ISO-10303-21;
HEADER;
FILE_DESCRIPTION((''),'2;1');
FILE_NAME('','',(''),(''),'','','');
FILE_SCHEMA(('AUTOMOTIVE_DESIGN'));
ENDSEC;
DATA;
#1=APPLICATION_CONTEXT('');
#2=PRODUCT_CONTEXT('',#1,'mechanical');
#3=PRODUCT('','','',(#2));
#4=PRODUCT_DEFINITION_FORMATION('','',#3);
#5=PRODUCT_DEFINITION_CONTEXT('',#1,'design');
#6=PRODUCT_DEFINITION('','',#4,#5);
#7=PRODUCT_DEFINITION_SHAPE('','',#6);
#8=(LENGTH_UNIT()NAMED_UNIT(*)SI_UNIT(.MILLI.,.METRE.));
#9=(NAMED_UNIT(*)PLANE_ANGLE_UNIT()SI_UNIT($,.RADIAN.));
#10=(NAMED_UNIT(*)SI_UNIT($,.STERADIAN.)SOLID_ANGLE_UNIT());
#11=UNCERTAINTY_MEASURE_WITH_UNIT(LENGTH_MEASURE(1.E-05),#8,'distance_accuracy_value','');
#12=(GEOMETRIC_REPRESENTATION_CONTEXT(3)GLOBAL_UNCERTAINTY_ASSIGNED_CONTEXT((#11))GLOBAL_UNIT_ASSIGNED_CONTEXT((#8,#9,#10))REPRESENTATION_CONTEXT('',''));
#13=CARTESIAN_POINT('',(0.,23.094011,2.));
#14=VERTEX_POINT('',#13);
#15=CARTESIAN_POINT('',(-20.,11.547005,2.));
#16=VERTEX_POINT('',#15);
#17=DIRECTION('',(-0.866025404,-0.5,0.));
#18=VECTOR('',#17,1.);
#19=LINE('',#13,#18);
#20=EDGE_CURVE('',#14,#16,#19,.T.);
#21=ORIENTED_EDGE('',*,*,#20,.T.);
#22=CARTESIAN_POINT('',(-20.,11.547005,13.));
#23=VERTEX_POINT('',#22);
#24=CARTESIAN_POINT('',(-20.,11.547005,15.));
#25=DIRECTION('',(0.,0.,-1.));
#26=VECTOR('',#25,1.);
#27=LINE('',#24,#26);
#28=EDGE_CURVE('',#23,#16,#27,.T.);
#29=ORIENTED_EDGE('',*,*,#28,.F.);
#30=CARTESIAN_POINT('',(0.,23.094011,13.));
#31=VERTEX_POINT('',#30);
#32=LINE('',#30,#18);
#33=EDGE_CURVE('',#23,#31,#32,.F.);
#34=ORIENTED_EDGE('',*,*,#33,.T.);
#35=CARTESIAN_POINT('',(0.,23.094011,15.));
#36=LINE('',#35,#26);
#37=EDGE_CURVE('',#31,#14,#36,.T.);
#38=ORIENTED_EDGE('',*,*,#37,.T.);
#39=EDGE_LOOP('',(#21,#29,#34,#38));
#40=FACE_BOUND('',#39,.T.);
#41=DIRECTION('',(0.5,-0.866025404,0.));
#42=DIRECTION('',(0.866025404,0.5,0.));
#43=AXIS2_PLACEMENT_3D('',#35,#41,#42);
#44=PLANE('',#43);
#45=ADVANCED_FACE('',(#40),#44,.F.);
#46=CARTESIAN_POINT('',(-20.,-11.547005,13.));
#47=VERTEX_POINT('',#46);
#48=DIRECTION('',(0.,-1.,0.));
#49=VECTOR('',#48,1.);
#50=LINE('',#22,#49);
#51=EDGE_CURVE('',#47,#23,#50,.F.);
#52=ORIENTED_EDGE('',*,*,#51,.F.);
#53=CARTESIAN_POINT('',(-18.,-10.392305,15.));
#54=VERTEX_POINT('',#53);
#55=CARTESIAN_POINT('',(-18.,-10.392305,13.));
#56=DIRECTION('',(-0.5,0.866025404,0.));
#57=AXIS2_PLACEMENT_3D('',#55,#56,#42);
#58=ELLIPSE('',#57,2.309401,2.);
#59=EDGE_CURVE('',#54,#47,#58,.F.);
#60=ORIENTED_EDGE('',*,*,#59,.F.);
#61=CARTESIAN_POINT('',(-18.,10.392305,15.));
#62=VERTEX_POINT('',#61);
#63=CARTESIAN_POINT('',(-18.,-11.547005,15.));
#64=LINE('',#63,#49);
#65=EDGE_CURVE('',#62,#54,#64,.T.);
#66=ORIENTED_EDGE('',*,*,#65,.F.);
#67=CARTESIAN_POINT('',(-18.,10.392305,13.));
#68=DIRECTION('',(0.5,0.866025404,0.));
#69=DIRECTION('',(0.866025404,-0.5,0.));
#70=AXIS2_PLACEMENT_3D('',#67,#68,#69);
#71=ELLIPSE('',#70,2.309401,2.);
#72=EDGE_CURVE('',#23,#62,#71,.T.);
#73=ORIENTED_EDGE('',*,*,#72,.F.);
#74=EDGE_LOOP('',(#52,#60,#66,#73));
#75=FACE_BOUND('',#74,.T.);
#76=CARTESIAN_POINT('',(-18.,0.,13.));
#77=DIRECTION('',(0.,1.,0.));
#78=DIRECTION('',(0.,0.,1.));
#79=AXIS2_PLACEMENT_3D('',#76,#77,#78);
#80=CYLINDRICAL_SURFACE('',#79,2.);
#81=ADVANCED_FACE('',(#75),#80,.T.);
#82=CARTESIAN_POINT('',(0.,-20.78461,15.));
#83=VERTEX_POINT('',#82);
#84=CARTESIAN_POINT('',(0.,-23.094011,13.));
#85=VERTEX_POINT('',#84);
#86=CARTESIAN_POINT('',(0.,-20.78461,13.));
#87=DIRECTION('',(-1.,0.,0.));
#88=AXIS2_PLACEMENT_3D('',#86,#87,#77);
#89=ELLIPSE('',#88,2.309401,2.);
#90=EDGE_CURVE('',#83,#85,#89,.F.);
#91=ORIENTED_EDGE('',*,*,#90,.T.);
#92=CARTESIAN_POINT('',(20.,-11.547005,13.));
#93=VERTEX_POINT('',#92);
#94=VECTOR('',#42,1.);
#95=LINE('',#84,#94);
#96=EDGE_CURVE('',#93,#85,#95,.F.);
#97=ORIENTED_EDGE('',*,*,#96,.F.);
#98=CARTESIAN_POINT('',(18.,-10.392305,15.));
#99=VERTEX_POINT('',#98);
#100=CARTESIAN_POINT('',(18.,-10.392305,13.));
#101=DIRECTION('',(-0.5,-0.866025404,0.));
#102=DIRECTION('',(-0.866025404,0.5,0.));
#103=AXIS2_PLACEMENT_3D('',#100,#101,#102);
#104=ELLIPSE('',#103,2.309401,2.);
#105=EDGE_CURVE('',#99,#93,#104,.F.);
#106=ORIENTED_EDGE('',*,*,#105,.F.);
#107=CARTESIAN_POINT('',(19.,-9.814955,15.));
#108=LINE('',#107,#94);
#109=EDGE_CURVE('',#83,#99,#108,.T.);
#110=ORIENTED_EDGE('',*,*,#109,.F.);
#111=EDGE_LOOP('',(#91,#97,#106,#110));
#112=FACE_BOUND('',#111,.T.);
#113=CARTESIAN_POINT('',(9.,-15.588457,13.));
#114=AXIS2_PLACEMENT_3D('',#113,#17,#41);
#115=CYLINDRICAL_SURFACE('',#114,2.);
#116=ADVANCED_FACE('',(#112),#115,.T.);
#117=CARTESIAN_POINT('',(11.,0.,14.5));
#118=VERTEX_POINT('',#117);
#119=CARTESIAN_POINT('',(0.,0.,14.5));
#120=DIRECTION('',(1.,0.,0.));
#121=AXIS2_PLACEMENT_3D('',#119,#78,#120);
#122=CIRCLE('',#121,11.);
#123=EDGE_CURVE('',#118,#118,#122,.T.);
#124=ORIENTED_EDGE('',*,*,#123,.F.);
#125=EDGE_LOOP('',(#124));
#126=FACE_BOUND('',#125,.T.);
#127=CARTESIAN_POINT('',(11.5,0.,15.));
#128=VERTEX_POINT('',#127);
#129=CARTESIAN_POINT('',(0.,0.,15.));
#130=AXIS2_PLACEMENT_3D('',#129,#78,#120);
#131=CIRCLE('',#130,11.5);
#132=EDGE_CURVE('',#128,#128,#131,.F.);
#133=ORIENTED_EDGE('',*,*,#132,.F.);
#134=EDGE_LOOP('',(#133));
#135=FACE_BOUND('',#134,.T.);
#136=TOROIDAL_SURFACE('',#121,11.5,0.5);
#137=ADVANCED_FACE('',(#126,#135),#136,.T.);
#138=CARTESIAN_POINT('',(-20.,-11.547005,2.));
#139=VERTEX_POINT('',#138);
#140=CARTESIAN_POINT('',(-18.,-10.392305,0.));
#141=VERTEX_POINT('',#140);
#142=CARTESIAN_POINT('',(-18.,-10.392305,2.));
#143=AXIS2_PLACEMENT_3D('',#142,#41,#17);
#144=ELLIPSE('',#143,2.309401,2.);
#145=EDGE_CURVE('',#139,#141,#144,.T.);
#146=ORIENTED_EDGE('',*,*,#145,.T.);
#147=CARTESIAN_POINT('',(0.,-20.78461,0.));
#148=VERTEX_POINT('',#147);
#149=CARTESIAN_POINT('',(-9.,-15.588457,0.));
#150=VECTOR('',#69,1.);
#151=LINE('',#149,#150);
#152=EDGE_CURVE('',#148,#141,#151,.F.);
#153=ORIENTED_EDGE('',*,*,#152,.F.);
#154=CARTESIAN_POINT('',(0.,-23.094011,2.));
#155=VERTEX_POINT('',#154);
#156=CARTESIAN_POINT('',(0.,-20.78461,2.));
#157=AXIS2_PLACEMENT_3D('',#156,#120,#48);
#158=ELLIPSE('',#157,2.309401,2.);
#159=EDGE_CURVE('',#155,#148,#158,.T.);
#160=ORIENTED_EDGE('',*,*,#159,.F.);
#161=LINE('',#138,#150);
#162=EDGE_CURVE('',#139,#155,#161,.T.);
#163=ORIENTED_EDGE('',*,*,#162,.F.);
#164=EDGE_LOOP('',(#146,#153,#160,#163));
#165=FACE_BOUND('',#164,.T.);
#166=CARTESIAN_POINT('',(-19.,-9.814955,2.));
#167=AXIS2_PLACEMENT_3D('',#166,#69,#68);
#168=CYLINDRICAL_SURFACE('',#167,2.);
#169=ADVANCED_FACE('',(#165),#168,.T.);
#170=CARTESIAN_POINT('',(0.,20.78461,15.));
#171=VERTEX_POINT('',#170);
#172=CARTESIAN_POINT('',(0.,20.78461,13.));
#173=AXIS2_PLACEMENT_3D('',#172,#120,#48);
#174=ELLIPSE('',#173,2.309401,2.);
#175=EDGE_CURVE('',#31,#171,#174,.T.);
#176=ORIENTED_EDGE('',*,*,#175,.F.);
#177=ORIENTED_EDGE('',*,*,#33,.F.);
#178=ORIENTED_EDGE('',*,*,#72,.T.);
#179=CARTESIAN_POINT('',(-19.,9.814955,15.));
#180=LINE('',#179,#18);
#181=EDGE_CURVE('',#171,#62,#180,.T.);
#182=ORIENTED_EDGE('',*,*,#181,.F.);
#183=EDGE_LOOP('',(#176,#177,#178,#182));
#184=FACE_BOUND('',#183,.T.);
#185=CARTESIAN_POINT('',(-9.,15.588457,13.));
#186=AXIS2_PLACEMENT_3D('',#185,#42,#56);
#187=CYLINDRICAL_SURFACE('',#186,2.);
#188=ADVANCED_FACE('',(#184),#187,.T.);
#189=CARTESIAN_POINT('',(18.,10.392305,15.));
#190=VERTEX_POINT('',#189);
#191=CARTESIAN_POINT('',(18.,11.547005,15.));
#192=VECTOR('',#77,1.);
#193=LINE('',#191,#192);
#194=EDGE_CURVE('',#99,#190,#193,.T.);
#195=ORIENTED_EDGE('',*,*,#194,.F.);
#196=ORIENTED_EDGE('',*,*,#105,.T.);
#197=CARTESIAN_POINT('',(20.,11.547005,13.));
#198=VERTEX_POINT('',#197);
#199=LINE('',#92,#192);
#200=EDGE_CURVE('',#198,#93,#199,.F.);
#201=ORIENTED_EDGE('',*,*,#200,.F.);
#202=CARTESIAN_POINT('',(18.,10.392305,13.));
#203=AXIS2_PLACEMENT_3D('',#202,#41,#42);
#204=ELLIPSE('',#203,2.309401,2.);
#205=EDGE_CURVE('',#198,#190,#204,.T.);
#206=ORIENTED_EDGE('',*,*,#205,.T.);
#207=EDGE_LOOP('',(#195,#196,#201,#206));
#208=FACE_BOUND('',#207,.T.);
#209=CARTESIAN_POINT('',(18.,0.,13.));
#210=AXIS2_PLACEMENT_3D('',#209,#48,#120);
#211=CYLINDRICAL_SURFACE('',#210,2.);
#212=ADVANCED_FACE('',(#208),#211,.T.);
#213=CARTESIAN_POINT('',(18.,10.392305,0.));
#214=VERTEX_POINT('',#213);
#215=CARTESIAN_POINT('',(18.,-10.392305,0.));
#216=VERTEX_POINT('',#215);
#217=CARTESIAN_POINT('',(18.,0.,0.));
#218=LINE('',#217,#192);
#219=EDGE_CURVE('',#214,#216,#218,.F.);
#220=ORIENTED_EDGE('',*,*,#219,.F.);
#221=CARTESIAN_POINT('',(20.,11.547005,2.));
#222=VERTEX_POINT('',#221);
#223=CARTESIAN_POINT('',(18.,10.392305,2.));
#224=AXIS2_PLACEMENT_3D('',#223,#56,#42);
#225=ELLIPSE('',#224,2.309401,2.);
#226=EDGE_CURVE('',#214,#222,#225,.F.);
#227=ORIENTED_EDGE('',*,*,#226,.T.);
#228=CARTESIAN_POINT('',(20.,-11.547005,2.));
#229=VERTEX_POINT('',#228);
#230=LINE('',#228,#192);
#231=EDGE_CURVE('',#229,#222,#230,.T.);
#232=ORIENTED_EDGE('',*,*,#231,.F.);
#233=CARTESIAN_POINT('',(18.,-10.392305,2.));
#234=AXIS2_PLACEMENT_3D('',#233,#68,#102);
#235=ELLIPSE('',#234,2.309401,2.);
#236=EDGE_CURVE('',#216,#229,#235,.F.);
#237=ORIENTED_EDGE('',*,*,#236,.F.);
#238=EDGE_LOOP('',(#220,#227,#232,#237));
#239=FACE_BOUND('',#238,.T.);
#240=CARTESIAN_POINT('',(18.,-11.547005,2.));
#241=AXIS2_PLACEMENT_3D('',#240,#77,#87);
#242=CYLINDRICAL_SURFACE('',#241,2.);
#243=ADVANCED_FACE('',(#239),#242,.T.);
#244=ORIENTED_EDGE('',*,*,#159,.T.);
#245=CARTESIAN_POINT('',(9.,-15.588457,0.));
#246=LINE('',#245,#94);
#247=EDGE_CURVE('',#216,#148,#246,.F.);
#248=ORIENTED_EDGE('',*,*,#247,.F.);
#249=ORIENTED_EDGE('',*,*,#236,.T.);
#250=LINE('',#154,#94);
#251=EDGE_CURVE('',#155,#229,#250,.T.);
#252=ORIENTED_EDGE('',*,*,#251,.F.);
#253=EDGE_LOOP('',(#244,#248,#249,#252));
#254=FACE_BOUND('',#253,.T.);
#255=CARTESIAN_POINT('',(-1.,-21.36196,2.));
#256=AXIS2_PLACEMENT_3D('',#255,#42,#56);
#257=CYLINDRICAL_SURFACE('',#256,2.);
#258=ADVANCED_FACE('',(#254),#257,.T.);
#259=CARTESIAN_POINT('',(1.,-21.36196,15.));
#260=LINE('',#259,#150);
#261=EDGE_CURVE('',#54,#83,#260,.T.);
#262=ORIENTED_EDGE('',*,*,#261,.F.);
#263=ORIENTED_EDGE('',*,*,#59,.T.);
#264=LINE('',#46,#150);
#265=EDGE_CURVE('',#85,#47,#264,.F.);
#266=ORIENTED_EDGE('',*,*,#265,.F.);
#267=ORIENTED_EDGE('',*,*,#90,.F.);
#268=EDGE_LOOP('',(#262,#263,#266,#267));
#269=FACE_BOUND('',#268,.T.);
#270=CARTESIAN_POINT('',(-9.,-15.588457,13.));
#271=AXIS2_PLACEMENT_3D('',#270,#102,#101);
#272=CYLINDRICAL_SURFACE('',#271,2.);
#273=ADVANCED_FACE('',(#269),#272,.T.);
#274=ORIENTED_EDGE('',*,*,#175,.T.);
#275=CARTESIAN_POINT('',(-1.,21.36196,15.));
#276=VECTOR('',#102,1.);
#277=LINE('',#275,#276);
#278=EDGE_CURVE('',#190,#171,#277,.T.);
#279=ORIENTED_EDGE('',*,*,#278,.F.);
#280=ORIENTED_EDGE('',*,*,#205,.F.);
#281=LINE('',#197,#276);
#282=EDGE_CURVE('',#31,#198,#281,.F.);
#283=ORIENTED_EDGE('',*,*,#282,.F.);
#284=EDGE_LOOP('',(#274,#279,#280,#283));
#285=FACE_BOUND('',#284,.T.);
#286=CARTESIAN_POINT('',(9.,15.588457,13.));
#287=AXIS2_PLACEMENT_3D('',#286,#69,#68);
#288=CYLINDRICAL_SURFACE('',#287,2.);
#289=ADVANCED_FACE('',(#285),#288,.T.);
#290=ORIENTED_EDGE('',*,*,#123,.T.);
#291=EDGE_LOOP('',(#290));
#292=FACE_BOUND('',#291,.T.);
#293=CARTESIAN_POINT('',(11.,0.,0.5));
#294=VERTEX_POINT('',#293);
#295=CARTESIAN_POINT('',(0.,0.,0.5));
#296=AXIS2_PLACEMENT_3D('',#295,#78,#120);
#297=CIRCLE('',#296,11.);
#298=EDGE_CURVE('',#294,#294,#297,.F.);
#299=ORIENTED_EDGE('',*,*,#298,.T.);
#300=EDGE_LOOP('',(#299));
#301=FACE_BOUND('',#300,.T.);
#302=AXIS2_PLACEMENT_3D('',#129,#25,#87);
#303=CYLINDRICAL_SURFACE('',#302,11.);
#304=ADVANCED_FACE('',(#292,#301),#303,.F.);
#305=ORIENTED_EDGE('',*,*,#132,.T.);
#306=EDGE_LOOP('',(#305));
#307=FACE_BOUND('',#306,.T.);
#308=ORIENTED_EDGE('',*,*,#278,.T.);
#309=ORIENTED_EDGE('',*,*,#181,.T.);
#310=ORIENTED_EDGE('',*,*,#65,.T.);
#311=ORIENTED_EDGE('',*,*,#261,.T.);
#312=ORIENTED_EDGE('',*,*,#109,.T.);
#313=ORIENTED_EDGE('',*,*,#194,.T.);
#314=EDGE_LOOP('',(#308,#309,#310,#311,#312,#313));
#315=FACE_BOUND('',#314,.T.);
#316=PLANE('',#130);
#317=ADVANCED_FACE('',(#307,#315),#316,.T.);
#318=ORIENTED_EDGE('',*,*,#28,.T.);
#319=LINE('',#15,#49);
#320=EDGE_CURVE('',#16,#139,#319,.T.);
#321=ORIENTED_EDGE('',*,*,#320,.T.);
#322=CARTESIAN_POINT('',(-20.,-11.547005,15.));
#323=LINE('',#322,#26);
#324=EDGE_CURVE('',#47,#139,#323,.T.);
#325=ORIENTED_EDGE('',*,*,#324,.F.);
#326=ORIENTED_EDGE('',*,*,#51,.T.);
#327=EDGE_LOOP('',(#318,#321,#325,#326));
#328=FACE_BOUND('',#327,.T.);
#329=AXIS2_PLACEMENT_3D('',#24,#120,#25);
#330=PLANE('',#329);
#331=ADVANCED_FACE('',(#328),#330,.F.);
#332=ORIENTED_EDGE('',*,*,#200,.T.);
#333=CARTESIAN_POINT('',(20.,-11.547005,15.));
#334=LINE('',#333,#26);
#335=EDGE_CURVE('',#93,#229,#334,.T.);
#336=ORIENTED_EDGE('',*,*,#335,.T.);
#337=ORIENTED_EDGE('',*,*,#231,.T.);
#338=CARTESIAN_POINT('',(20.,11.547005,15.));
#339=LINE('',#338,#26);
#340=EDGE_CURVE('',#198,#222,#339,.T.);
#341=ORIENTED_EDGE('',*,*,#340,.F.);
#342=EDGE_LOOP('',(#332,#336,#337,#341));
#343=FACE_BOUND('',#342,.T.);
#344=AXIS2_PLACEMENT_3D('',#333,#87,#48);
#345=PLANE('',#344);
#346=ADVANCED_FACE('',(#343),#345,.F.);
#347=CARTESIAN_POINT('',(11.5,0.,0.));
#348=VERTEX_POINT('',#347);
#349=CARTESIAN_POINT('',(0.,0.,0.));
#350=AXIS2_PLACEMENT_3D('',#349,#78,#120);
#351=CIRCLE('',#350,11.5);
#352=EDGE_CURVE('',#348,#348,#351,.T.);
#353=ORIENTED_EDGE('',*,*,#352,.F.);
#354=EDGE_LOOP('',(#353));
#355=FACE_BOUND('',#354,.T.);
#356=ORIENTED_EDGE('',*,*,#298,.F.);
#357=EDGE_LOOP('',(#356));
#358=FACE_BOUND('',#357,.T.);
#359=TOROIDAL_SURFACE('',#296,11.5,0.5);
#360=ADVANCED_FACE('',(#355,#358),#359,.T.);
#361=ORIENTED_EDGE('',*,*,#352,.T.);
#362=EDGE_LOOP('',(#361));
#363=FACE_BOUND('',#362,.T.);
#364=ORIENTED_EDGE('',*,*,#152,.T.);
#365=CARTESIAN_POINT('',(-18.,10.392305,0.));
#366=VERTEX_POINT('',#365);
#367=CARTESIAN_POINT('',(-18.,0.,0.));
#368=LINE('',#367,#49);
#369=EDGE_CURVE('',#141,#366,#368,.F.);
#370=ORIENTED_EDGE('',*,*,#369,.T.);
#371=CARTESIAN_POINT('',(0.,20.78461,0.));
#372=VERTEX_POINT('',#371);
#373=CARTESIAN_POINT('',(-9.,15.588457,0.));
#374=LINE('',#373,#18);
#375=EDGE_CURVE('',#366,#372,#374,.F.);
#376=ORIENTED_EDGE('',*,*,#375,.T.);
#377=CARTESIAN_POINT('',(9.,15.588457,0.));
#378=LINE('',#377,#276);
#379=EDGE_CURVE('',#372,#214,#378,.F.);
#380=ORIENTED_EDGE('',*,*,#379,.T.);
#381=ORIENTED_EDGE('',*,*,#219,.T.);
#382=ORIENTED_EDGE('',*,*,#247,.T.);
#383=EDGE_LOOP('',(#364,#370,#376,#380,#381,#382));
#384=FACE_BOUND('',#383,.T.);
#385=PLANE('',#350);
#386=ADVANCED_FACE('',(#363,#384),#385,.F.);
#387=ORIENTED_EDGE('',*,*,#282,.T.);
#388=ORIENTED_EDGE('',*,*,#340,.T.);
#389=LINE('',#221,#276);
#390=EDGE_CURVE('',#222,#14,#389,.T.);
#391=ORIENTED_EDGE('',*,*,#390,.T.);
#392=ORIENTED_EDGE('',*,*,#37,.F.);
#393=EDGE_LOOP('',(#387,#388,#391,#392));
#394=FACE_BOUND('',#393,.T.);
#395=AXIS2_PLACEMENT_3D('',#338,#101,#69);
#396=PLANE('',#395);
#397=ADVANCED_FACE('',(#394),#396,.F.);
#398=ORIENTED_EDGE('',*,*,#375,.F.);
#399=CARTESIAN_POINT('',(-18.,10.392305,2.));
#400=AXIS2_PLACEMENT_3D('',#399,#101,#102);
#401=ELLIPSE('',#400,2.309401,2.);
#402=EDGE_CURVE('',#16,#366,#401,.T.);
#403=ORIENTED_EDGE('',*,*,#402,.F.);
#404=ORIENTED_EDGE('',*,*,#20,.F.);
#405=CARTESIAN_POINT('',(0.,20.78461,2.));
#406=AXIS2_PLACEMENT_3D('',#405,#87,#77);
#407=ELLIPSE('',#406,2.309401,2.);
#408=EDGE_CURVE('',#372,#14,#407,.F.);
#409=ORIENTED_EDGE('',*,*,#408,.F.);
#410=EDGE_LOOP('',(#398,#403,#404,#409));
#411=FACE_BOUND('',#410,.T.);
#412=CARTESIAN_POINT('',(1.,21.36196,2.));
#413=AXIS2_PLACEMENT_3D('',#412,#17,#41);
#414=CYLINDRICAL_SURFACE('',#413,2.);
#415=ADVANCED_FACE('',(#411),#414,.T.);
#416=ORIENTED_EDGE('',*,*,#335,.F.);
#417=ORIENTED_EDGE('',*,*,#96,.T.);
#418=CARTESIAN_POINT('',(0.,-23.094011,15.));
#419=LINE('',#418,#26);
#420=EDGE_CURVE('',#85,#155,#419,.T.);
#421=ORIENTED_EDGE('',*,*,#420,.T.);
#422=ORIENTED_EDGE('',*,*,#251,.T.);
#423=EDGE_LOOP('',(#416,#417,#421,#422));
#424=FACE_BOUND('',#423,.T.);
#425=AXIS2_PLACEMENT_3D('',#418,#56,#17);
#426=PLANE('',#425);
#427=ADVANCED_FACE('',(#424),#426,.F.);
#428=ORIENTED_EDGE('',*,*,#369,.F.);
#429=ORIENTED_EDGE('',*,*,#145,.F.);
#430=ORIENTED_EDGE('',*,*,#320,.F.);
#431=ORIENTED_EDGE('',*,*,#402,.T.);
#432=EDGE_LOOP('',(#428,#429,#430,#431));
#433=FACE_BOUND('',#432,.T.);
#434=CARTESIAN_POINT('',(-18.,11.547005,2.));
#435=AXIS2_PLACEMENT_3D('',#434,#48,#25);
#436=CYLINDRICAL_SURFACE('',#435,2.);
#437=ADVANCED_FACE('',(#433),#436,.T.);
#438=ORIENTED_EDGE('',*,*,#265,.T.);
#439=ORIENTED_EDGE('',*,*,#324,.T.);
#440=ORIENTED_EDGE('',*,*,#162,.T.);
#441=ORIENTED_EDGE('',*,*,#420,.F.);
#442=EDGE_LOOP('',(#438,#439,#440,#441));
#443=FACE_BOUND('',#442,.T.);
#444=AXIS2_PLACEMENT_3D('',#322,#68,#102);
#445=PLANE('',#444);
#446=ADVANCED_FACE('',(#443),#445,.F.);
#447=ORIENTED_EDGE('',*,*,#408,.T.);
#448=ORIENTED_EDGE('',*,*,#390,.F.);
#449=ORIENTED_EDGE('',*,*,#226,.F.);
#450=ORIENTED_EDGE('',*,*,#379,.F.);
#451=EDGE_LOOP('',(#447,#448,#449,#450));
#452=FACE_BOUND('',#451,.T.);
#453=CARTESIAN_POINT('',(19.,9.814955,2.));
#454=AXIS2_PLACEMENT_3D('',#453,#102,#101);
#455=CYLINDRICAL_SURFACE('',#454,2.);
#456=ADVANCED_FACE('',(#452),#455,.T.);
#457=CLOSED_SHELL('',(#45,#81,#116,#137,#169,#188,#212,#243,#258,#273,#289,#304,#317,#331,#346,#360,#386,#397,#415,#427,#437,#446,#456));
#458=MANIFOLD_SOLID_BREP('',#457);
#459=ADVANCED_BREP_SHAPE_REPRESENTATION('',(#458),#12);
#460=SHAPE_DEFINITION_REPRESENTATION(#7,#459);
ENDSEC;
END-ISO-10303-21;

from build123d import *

# Parameters (mm, degrees)
SKETCH_1_R      = 11
EXTRUDE_1_DEPTH = 15
FILLET_1_R      = 2
FILLET_2_R      = 0.5


with BuildPart() as part:
    # 草图1 → 凸台-拉伸1 (new body)
    with BuildSketch(Plane.XY):
        Polygon((0, -23.094010768), (20, -11.547005384), (20, 11.547005384), (0, 23.094010768), (-20, 11.547005384), (-20, -11.547005384), align=None)
        Circle(SKETCH_1_R, mode=Mode.SUBTRACT)
    extrude(amount=EXTRUDE_1_DEPTH)

    # 圆角1
    fillet_1_edges = [part.edges().sort_by_distance(p)[0] for p in [
        (20, 0, 15),
        (10, 17.320508076, 15),
        (-10, 17.320508076, 15),
        (-20, 0, 15),
        (-10, -17.320508076, 15),
        (-20, 0, 0),
        (-10, 17.320508076, 0),
        (10, 17.320508076, 0),
        (10, -17.320508076, 15),
        (20, 0, 0),
        (10, -17.320508076, 0),
        (-10, -17.320508076, 0),
    ]]
    fillet(fillet_1_edges, radius=FILLET_1_R)

    # 圆角2
    fillet_2_edges = [part.edges().sort_by_distance(p)[0] for p in [
        (-11, 0, 0),
        (-11, 0, 15),
    ]]
    fillet(fillet_2_edges, radius=FILLET_2_R)


solid = part.part
